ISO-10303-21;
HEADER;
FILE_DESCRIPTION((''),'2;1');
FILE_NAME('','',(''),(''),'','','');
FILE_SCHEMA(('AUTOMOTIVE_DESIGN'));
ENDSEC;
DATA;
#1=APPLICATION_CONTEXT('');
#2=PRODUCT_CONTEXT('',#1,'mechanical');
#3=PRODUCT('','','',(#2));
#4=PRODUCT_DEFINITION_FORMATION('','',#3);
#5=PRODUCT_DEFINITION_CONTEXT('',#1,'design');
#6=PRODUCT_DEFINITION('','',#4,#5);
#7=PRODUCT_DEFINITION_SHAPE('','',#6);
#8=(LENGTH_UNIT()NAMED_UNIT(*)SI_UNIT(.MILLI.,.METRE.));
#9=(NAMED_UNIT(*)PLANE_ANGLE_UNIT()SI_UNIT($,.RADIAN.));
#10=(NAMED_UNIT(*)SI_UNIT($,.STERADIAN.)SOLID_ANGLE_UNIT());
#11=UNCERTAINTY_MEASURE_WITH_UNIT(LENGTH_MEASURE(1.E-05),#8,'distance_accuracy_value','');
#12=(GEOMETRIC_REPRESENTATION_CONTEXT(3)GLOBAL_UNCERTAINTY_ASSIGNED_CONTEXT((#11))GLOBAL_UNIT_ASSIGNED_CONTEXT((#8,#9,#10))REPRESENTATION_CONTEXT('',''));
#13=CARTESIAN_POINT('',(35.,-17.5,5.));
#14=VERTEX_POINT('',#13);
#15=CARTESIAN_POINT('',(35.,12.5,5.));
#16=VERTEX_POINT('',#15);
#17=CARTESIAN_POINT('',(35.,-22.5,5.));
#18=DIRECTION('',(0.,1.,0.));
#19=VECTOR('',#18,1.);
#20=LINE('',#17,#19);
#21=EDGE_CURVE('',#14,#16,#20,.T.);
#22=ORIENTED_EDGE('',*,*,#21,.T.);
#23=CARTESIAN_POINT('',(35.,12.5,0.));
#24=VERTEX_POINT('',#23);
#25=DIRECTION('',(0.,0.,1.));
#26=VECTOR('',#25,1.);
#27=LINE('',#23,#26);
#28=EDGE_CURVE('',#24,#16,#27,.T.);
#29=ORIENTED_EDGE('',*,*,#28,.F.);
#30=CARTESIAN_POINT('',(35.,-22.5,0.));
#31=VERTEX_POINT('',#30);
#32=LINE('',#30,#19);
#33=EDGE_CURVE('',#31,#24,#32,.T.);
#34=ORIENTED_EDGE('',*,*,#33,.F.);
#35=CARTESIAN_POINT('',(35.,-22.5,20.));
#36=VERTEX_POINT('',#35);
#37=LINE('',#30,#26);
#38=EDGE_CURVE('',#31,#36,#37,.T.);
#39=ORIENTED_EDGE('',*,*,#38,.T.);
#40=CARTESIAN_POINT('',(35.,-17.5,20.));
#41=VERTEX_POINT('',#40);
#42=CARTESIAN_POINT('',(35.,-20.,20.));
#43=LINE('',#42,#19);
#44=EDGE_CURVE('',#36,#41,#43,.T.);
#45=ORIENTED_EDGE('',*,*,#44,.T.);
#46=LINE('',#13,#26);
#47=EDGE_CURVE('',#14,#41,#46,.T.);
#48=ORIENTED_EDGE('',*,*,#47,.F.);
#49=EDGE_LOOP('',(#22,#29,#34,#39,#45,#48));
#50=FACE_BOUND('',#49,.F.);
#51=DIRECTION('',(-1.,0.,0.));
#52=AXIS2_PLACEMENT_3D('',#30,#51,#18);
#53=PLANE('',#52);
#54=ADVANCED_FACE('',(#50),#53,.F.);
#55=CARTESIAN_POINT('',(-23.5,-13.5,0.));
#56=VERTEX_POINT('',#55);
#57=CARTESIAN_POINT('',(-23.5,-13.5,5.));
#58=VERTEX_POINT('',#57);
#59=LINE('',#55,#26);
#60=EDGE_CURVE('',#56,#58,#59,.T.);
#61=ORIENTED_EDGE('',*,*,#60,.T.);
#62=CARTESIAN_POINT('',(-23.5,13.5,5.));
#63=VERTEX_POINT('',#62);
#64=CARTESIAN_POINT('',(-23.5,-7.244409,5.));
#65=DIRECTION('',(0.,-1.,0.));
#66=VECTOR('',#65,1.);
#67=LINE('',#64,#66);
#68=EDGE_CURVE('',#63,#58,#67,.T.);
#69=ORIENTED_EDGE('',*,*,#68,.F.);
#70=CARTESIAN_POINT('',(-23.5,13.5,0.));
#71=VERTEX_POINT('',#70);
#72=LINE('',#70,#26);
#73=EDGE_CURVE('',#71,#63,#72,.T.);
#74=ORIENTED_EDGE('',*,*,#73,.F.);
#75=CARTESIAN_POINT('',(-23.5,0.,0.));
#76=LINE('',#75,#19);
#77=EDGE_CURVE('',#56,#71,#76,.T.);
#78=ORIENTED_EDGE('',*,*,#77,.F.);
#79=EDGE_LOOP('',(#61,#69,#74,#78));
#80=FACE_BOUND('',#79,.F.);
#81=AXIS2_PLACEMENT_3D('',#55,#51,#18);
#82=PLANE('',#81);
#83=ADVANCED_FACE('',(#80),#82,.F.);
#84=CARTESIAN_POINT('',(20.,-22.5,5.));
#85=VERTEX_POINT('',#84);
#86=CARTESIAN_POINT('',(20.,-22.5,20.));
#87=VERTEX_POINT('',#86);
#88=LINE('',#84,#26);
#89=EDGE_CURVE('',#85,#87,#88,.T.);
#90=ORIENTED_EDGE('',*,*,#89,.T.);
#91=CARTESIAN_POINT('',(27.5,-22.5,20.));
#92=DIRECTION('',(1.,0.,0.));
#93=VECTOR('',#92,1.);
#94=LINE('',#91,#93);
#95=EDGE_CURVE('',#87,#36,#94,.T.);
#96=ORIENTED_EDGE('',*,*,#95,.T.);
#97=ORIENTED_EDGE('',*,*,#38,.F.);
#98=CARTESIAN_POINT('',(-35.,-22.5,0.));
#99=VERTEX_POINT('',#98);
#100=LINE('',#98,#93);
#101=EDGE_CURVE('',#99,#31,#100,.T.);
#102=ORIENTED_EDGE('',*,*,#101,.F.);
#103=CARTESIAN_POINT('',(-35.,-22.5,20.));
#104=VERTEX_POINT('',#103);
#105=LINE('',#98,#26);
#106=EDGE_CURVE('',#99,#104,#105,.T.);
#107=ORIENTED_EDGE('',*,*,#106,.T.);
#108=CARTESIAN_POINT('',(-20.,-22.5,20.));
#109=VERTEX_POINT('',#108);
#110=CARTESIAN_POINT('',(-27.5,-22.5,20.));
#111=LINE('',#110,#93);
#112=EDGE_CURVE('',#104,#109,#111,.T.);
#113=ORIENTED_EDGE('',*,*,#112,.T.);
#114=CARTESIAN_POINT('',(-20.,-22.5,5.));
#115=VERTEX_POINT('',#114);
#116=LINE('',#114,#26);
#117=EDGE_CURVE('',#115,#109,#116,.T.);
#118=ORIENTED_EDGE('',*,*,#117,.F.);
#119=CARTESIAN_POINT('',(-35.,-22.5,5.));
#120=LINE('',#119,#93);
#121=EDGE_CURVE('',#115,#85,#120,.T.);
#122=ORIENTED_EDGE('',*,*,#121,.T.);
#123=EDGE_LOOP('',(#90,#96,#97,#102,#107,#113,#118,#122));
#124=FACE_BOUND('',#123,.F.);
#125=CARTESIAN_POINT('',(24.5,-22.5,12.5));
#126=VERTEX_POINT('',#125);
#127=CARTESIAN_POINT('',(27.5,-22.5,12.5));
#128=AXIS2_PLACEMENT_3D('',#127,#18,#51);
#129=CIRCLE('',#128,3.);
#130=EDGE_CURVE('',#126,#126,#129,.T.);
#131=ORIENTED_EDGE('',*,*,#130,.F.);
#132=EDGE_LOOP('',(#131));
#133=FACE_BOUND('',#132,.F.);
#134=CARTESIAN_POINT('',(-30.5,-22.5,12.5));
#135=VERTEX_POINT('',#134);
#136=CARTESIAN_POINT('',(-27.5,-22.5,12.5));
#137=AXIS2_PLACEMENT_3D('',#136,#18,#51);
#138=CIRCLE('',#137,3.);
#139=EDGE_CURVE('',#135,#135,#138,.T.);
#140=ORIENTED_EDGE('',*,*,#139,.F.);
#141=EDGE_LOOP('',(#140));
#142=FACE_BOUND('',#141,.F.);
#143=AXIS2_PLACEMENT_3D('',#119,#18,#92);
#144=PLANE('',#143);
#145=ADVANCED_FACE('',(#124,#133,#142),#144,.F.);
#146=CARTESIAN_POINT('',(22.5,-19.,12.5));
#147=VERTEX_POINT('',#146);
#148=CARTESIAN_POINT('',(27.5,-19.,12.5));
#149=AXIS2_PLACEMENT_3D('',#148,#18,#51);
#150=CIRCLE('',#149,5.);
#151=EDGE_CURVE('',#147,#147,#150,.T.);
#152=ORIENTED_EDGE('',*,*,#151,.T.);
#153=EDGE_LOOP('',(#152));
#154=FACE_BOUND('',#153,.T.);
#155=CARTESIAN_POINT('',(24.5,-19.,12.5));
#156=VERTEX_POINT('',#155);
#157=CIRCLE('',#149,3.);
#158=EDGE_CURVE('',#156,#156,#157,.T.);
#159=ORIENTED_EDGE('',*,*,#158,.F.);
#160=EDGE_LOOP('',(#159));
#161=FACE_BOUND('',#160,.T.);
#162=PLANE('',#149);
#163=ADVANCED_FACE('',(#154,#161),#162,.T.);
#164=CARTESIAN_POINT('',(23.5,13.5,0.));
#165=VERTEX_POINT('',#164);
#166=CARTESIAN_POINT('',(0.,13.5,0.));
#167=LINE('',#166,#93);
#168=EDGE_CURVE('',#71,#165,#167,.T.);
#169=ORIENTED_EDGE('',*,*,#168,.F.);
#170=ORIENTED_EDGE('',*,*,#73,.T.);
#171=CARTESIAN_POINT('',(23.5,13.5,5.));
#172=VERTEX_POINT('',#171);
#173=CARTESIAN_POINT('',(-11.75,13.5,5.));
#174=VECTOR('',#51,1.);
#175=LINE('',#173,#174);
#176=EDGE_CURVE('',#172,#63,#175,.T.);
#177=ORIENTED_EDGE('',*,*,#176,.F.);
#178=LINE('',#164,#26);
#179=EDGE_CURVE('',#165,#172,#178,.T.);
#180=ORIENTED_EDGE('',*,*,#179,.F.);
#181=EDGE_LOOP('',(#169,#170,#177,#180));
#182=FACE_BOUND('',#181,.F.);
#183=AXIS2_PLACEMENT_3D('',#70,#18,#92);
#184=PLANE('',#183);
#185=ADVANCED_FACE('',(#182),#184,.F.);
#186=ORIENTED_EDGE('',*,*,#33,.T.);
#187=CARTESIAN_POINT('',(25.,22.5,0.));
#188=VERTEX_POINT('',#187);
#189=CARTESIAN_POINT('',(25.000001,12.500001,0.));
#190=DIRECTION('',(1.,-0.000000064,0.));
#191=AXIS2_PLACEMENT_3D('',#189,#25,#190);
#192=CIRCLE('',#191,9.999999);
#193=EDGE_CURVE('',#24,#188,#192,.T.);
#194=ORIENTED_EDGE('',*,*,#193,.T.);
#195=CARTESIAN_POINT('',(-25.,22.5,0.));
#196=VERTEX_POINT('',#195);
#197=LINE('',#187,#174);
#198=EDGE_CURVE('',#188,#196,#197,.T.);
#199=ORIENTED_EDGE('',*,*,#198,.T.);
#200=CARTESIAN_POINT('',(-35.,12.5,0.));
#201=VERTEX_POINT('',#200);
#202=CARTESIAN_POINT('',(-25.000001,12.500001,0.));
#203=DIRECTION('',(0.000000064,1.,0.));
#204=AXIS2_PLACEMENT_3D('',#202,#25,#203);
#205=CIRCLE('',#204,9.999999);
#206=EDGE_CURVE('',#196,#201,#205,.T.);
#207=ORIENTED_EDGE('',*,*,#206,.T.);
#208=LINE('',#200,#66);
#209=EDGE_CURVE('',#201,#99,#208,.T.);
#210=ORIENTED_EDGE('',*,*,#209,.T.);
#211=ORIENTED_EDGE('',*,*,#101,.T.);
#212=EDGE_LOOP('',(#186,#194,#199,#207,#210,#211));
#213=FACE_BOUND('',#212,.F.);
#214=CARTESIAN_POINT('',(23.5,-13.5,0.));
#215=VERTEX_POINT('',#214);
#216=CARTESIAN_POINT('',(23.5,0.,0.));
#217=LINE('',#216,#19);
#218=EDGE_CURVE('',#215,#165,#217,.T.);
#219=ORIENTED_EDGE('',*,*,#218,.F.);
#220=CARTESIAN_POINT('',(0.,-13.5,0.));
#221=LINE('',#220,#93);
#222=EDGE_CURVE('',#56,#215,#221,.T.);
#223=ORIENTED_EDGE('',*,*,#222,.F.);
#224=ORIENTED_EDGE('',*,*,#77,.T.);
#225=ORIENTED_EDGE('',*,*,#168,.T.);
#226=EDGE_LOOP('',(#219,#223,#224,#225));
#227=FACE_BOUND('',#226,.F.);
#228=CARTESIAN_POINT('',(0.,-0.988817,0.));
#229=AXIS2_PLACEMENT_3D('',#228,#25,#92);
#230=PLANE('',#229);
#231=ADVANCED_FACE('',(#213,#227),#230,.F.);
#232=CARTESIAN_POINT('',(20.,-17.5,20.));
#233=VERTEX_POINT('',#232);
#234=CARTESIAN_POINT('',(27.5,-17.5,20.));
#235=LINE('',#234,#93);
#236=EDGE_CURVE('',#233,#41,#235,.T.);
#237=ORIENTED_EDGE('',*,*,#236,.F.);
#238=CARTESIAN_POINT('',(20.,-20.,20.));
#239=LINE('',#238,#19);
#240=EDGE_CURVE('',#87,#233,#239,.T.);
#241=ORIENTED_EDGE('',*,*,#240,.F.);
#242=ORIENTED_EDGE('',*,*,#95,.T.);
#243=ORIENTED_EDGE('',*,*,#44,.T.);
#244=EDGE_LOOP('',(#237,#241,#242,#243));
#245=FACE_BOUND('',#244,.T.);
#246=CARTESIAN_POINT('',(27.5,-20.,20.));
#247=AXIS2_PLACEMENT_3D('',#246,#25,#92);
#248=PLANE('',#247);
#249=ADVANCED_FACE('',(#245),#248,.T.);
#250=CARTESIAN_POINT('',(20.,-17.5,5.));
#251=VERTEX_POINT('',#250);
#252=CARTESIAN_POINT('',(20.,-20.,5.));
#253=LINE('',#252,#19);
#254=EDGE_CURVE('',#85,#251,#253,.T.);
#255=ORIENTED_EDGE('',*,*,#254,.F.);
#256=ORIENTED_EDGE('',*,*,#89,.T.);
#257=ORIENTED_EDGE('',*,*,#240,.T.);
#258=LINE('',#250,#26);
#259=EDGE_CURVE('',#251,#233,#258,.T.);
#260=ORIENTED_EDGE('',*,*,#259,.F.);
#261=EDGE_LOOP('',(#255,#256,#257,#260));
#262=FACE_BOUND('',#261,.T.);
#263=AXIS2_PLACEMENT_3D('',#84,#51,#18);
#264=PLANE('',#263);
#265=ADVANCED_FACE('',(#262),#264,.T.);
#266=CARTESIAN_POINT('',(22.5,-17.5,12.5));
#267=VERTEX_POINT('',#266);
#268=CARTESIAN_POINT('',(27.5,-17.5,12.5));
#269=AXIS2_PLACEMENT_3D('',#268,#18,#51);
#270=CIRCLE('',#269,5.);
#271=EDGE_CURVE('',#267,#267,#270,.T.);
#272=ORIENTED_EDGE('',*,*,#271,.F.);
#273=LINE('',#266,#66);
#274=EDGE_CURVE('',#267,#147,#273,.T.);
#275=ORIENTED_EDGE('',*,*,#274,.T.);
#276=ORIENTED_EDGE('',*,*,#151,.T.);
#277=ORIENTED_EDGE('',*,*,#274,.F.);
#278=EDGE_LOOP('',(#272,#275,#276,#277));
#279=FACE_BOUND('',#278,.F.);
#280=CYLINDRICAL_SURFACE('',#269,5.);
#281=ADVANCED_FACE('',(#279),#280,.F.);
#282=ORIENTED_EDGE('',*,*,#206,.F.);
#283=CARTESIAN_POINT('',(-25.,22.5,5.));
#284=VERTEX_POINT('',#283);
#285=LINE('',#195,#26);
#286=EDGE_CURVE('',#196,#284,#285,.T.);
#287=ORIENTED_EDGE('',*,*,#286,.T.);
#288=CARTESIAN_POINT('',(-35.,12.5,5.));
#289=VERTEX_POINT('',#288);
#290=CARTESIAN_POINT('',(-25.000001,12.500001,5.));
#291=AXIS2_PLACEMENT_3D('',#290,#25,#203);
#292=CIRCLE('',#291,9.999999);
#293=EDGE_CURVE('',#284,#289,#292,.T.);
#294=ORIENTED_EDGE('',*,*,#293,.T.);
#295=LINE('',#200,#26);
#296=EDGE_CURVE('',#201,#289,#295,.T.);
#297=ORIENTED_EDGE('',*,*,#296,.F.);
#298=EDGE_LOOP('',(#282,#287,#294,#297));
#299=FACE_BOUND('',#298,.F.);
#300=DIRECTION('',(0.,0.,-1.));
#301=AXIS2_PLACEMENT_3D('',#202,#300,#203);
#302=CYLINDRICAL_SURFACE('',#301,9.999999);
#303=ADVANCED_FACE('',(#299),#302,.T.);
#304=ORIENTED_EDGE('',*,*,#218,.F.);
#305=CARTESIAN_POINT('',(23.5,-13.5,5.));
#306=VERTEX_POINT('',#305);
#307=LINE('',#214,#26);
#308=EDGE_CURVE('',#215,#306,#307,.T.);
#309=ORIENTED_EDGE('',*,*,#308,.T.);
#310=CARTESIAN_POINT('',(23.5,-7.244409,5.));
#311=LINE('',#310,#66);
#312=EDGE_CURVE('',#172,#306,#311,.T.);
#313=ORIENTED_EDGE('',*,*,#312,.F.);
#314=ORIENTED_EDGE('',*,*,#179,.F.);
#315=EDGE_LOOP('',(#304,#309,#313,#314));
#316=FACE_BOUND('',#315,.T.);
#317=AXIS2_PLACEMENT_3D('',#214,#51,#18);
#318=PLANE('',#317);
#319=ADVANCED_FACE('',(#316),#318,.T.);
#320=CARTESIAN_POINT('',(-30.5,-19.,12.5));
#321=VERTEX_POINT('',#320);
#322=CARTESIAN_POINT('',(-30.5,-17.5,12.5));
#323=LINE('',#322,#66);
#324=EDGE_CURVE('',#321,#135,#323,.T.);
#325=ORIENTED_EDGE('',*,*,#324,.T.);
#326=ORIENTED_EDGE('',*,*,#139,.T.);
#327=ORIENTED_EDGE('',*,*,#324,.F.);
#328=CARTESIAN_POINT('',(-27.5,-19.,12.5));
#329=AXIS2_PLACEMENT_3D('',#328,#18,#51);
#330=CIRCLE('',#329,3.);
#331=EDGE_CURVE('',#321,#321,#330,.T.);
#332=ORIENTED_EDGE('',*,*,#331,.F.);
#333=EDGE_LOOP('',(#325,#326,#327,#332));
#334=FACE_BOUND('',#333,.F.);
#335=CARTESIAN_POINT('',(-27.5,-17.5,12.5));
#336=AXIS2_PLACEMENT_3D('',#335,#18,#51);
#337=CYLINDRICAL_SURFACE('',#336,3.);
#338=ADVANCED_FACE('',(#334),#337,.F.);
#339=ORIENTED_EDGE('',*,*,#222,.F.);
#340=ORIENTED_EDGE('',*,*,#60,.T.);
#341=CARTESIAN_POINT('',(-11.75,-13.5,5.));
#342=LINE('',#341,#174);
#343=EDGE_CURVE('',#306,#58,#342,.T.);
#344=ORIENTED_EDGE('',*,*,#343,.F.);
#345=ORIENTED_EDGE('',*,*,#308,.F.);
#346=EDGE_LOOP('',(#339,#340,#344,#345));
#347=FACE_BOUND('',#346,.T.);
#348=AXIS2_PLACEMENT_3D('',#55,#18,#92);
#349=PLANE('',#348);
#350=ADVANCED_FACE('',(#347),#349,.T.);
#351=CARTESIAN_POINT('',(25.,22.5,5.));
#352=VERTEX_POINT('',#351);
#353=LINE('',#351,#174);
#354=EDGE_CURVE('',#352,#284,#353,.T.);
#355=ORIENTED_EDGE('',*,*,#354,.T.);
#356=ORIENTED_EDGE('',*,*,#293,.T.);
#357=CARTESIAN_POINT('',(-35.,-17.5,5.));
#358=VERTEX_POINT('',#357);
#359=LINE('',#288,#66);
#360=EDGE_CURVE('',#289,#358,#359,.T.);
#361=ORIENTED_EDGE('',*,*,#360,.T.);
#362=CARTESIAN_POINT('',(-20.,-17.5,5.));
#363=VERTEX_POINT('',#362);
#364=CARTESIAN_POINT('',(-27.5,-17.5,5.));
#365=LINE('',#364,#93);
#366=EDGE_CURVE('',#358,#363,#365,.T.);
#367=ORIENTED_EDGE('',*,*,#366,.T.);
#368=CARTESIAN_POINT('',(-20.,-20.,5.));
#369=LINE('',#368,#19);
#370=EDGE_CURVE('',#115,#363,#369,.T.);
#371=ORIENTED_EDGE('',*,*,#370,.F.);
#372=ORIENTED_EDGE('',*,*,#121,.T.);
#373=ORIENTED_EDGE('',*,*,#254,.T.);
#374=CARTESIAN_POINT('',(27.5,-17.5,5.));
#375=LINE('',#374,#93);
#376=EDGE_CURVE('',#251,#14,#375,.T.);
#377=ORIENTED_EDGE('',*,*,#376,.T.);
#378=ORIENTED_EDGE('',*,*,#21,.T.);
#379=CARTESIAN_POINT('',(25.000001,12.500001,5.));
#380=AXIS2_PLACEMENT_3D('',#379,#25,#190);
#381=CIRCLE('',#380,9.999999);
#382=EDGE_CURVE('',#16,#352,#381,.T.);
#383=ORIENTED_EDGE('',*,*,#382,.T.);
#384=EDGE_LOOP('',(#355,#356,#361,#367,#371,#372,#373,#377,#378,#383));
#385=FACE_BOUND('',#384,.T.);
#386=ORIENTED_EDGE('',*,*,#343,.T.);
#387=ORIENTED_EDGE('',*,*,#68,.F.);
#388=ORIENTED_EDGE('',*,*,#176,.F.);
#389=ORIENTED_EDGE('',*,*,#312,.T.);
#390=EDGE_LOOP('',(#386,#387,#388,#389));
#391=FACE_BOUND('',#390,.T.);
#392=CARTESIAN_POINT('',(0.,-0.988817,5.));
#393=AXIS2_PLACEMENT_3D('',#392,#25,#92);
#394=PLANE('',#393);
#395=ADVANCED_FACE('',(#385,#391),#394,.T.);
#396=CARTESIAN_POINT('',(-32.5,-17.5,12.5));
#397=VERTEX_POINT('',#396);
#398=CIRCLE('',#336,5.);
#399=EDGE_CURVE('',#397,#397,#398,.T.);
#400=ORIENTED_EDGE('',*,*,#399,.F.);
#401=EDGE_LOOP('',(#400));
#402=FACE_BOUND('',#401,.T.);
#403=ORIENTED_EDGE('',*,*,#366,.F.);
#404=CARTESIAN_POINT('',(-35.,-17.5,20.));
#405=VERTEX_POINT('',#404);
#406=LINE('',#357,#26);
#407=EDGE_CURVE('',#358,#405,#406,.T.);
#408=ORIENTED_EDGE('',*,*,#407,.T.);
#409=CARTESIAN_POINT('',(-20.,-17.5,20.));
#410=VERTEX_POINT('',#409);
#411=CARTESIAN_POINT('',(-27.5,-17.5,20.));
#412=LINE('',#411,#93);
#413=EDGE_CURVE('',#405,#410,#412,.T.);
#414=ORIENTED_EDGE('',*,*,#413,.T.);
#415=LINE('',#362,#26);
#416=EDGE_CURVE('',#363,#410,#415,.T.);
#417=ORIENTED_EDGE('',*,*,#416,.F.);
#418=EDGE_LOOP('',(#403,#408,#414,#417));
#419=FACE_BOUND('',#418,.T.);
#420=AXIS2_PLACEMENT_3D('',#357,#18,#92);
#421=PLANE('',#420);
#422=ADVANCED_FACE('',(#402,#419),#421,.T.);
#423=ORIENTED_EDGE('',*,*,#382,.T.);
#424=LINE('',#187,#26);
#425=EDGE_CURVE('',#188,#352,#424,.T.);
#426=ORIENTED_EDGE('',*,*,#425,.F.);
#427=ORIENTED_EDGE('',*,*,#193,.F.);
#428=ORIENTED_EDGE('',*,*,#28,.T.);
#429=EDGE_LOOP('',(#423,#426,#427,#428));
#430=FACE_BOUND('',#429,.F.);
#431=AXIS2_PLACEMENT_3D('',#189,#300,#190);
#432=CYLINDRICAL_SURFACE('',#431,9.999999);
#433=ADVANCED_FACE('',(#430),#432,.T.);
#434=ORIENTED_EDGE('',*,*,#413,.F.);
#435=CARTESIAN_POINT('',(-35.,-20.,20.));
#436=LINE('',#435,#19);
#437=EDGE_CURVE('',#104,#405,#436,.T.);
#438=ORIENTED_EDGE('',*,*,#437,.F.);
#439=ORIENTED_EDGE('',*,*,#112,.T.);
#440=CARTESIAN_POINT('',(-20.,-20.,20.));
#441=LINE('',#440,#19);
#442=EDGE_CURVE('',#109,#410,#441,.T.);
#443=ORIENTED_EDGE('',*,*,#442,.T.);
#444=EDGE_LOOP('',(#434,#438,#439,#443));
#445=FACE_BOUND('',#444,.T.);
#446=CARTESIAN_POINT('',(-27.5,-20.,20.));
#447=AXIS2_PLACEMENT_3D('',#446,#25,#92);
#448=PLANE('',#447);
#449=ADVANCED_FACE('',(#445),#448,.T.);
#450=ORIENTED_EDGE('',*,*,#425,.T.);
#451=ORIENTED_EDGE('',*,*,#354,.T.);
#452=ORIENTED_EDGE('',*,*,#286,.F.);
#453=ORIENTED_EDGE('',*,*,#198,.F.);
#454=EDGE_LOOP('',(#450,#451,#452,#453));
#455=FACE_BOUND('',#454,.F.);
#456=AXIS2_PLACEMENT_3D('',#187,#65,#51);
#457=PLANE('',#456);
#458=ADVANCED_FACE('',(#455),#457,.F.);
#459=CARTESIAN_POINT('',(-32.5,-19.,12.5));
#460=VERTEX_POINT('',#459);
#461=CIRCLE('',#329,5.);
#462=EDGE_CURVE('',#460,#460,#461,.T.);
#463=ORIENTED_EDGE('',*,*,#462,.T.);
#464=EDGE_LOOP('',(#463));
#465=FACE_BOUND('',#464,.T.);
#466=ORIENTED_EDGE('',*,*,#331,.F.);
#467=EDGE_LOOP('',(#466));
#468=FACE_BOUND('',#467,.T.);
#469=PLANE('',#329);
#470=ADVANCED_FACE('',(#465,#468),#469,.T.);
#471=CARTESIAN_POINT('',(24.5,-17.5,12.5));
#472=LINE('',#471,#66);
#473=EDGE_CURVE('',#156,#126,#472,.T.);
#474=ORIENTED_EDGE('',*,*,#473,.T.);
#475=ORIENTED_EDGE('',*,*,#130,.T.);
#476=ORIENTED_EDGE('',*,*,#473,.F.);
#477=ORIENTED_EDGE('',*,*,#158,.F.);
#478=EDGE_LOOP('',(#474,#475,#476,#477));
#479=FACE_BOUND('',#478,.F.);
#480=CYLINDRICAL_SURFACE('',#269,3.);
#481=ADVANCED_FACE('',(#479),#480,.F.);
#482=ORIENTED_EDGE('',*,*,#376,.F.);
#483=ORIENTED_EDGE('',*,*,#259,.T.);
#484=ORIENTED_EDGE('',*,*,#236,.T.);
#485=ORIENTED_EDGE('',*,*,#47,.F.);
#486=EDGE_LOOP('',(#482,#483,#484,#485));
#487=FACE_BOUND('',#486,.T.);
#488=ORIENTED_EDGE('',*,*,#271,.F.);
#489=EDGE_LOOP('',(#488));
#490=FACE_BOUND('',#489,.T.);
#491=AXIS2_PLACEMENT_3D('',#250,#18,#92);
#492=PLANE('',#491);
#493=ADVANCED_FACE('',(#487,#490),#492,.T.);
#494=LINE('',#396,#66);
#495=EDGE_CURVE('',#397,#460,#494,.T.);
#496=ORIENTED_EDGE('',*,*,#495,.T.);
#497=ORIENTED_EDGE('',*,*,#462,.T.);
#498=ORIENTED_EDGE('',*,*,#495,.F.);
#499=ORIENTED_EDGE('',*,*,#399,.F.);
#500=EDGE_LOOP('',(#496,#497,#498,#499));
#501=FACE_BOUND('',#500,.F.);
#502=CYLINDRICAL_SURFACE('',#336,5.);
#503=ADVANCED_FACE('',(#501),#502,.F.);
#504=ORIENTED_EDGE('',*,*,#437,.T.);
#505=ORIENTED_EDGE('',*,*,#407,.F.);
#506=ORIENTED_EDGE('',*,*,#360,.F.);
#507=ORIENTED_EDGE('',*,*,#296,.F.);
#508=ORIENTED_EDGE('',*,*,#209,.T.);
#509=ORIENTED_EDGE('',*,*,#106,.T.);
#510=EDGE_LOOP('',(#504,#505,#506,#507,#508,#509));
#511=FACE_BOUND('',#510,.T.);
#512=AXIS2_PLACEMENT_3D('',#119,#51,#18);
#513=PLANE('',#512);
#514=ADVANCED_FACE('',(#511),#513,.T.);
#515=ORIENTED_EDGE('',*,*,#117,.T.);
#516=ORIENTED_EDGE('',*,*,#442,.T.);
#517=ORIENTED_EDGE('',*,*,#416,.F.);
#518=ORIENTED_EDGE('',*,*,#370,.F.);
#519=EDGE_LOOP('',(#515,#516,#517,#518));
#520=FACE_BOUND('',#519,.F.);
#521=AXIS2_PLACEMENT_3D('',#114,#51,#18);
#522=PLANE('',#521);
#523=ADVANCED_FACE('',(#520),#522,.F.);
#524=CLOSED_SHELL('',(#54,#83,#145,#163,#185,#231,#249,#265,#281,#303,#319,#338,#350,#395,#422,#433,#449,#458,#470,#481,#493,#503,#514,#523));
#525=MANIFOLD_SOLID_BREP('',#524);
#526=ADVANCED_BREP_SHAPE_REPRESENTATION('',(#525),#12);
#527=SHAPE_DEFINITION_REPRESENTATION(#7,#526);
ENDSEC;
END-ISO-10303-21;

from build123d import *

# Parameters (mm, degrees)
F1_DEPTH = 5
F2_W     = 47
F2_H     = 27
F3_DEPTH = 25
F4_W     = 15
F4_H     = 5
F5_DEPTH = 15
F6_R     = 3
F7_DEPTH = 25
F6_R_2   = 5
F8_DEPTH = 1.5


with BuildPart() as f1:
    # F0 (on Top) → F1 (new body)
    with BuildSketch(Plane.XY):
        with BuildLine():
            Line((-35, -22.5), (35, -22.5))
            Line((35, -22.5), (35, 12.5))
            ThreePointArc((35, 12.5), (32.071068, 19.571068), (25, 22.5))
            Line((25, 22.5), (-25, 22.5))
            ThreePointArc((-25, 22.5), (-32.071068, 19.571068), (-35, 12.5))
            Line((-35, 12.5), (-35, -22.5))
        make_face()
    extrude(amount=F1_DEPTH)

    # F2 (on Top) → F3 (cut)
    with BuildSketch(Plane.XY):
        Rectangle(F2_W, F2_H)
    extrude(amount=F3_DEPTH, mode=Mode.SUBTRACT)

    # F4 (on face) → F5 (join)
    with BuildSketch(Plane.XY.offset(5)):
        with Locations((-27.5, -20)):
            Rectangle(F4_W, F4_H)
        with Locations((27.5, -20)):
            Rectangle(F4_W, F4_H)
    extrude(amount=F5_DEPTH)

    # F6 (on face) → F7 (cut)
    with BuildSketch(Plane(origin=(0, -17.5, 0), x_dir=(-1, 0, 0), z_dir=(0, 1, 0))):
        with Locations((27.5, 12.5)):
            Circle(F6_R)
        with Locations((-27.5, 12.5)):
            Circle(F6_R)
    extrude(amount=-F7_DEPTH, mode=Mode.SUBTRACT)

    # F6 (on face) → F8 (cut)
    with BuildSketch(Plane(origin=(0, -17.5, 0), x_dir=(-1, 0, 0), z_dir=(0, 1, 0))):
        with Locations((27.5, 12.5)):
            Circle(F6_R_2)
        with Locations((27.5, 12.5)):
            Circle(F6_R, mode=Mode.SUBTRACT)
        with Locations((-27.5, 12.5)):
            Circle(F6_R_2)
        with Locations((-27.5, 12.5)):
            Circle(F6_R, mode=Mode.SUBTRACT)
    extrude(amount=-F8_DEPTH, mode=Mode.SUBTRACT)


solid = f1.part
